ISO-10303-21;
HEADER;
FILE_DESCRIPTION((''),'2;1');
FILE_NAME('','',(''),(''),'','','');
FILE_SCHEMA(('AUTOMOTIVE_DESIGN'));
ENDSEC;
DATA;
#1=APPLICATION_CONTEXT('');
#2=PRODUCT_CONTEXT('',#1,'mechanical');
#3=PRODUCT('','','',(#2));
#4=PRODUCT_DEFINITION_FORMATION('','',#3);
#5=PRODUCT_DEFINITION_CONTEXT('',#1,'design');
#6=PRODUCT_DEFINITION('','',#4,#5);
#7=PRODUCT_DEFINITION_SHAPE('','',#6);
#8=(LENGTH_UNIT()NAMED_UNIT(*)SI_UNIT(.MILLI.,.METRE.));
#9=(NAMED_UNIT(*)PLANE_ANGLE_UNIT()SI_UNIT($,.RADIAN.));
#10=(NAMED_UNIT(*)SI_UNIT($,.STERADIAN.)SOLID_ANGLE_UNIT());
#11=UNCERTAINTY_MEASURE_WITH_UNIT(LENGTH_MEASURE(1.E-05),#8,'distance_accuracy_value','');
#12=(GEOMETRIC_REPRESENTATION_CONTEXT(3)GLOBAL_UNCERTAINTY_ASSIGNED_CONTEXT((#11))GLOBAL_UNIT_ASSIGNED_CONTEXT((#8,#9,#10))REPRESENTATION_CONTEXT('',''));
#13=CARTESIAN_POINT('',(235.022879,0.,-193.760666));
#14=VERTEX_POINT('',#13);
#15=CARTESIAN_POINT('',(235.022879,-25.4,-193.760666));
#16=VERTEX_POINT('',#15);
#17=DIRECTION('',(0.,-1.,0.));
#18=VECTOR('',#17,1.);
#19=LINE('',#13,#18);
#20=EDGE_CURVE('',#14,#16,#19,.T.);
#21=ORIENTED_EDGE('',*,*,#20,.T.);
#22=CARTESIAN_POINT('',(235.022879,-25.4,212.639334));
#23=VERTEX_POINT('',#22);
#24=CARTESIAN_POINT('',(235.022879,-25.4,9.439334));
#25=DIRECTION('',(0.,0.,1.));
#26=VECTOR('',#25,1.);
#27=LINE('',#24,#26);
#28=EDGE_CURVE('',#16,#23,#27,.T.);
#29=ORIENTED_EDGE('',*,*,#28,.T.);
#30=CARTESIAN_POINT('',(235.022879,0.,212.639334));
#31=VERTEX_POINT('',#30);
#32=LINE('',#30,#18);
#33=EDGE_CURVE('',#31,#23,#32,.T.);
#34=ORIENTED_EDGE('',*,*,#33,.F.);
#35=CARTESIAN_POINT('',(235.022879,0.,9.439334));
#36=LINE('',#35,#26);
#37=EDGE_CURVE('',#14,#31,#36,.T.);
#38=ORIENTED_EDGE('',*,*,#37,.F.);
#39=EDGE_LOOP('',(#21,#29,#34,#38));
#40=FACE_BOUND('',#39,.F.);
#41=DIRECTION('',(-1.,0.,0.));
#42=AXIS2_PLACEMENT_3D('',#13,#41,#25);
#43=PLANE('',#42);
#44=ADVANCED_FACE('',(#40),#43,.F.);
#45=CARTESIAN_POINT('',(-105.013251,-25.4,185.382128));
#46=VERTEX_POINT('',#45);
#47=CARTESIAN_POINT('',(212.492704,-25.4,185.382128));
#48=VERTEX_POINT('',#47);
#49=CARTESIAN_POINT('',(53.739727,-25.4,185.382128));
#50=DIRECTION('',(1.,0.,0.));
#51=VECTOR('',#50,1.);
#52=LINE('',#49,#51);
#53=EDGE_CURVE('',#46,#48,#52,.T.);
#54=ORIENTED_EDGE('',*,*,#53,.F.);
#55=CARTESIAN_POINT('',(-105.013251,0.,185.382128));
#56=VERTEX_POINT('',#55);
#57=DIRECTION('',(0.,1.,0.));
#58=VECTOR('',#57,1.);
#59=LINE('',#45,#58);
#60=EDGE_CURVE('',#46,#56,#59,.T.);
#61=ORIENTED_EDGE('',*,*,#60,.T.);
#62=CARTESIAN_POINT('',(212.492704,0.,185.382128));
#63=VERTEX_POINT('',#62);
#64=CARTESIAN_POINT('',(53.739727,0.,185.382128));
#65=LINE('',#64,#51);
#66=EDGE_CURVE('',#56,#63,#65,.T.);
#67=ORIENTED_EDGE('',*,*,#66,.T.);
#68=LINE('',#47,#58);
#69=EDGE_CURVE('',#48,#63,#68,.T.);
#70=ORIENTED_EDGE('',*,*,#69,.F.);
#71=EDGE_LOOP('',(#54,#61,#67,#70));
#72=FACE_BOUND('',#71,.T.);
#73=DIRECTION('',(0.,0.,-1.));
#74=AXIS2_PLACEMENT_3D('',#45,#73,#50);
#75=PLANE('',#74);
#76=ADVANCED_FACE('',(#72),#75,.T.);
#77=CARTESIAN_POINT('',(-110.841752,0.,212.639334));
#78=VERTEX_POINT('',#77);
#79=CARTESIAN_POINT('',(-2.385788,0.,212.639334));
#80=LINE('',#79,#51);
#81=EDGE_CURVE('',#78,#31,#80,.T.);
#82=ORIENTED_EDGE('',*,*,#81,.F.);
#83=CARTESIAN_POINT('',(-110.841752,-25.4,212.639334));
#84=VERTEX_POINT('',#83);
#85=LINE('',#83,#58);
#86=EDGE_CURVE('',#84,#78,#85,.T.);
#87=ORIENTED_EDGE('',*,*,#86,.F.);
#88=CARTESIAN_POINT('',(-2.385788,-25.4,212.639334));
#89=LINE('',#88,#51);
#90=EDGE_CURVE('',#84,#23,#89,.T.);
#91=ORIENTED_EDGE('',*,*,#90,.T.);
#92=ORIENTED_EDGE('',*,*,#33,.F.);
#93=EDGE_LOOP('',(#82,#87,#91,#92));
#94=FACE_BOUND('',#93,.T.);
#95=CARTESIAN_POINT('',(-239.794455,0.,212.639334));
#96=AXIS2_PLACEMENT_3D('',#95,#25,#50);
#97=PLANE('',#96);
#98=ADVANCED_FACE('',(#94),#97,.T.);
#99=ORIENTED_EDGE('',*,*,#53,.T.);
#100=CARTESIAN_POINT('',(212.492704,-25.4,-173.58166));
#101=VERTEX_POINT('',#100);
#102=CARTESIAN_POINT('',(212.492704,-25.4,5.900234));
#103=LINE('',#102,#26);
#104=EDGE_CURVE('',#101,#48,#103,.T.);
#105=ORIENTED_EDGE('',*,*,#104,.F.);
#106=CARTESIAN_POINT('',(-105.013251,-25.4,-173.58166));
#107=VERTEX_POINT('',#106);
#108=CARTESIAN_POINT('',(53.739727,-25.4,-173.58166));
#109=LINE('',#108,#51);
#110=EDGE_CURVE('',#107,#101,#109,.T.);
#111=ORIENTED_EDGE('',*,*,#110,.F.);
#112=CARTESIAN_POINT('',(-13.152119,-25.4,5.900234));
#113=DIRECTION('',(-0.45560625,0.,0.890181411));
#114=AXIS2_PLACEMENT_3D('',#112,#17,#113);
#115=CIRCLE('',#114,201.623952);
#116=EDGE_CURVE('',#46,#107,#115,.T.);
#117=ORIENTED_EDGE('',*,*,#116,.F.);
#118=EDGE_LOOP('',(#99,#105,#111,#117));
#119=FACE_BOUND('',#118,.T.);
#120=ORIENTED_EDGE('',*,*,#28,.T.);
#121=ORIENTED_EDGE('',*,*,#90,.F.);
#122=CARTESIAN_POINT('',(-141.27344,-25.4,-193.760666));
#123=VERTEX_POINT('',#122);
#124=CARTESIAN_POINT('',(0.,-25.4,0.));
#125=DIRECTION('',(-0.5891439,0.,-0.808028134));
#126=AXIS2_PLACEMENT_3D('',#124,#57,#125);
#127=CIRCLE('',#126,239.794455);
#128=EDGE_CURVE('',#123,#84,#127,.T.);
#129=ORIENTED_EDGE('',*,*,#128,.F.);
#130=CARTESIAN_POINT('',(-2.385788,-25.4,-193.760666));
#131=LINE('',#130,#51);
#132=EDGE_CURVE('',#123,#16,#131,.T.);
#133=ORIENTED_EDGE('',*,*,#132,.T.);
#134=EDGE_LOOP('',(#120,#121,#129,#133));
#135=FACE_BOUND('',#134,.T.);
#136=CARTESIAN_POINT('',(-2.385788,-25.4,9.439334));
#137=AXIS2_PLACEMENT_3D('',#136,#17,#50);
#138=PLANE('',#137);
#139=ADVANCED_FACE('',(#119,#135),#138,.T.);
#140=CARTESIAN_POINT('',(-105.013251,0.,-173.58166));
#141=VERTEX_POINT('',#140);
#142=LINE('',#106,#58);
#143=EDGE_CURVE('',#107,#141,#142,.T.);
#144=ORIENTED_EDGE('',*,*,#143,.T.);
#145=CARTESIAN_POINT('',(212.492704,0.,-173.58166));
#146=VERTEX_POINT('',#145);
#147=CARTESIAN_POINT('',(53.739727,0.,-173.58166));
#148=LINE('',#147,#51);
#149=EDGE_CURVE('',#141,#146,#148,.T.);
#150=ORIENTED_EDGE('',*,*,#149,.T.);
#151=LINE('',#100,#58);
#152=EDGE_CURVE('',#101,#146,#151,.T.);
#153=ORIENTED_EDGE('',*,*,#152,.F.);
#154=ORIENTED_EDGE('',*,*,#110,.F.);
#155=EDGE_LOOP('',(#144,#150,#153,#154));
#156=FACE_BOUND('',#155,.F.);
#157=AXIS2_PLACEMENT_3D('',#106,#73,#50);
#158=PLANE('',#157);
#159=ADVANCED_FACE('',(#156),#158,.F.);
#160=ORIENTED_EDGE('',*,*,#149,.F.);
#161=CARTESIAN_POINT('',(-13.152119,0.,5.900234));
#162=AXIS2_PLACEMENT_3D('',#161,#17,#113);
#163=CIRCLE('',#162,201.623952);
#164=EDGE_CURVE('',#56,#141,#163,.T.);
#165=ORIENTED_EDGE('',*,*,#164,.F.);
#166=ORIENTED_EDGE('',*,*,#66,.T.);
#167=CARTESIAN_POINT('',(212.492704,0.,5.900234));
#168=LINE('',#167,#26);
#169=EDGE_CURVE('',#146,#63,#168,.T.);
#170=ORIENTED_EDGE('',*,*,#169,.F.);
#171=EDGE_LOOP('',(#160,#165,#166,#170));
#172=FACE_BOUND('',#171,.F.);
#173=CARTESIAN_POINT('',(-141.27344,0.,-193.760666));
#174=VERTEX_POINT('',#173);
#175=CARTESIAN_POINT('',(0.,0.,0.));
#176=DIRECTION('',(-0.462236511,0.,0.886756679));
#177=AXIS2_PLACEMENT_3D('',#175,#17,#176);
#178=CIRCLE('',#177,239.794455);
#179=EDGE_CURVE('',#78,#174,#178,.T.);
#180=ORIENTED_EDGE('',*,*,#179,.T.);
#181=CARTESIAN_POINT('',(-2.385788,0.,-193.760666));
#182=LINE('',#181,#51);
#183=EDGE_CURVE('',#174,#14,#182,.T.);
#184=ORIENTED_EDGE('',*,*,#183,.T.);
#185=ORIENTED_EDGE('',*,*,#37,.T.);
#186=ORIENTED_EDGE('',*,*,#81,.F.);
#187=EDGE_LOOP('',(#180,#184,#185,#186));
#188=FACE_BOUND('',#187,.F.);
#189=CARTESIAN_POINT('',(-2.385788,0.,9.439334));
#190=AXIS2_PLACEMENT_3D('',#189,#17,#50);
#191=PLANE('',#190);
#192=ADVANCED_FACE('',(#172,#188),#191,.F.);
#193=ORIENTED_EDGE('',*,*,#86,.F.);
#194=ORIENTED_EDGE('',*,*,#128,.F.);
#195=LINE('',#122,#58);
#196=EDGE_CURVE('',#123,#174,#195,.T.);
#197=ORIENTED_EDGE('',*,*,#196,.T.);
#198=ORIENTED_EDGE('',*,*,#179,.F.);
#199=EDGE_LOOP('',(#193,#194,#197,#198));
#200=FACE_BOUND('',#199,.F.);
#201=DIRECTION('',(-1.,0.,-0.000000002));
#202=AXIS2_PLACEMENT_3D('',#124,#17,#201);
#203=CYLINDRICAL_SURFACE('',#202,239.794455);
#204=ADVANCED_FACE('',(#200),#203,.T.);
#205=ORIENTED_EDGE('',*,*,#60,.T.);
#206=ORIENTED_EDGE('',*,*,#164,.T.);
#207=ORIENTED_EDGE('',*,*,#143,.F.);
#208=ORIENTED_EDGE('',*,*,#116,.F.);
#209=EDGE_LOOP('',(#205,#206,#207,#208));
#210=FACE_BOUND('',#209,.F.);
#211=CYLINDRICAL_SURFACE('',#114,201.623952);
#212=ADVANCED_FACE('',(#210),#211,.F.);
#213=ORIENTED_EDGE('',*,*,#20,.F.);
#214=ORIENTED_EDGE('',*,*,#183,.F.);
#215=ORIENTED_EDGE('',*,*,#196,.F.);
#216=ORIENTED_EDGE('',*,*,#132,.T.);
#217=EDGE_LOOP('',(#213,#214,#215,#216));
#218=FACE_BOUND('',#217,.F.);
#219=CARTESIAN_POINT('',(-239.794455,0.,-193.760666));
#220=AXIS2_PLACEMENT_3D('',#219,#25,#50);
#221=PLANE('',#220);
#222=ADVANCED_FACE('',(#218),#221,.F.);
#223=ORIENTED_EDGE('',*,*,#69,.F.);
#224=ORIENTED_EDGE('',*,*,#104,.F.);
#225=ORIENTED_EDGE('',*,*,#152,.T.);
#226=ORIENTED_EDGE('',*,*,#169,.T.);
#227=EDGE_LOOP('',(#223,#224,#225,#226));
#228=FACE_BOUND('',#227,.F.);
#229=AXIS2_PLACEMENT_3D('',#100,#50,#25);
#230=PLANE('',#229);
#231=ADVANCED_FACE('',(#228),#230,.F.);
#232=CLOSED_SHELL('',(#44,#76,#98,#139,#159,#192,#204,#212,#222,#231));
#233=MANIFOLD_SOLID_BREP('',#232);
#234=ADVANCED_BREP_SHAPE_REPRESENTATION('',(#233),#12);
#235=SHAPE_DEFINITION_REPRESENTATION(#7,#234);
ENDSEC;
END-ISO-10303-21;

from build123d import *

# Parameters (mm, degrees)
F0_W     = 474.8173340189
F0_H     = 406.4
F1_DEPTH = 25.4
F3_DEPTH = 25.4
F4_W     = 317.5059556961
F4_H     = 358.9637875557
F5_DEPTH = 25.4
F7_DEPTH = 25.4


with BuildPart() as f1:
    # F0 (on Front) → F1 (new body)
    with BuildSketch(Plane.XZ):
        with Locations((-2.3857876658, 9.4393342733)):
            Rectangle(F0_W, F0_H)
    extrude(amount=F1_DEPTH)

    # F2 (on face) → F3 (cut)
    with BuildSketch(Plane.XZ.offset(25.4)):
        with BuildLine():
            ThreePointArc((-239.7944546753, -5.535e-07), (-205.0373357652, 124.3425568152), (-110.841752119, 212.6393342733))
            Line((-110.841752119, 212.6393342733), (-239.7944546753, 212.6393342733))
            Line((-239.7944546753, 212.6393342733), (-239.7944546753, -5.535e-07))
        make_face()
        with BuildLine():
            Line((-239.7944546753, -193.7606657267), (-141.273440215, -193.7606657267))
            ThreePointArc((-141.273440215, -193.7606657267), (-213.7498163066, -108.6848495509), (-239.7944546753, -5.535e-07))
            Line((-239.7944546753, -5.535e-07), (-239.7944546753, -193.7606657267))
        make_face()
    extrude(amount=-F3_DEPTH, mode=Mode.SUBTRACT)

    # F4 (on face) → F5 (cut)
    with BuildSketch(Plane.XZ.offset(25.4)):
        with Locations((53.7397265434, 5.900233984)):
            Rectangle(F4_W, F4_H)
    extrude(amount=-F5_DEPTH, mode=Mode.SUBTRACT)

    # F6 (on face) → F7 (cut)
    with BuildSketch(Plane.XZ.offset(25.4)):
        with BuildLine():
            Line((-105.0132513046, -173.5816597939), (-105.0132513046, 185.3821277618))
            ThreePointArc((-105.0132513046, 185.3821277618), (-214.776070383, 5.900233984), (-105.0132513046, -173.5816597939))
        make_face()
    extrude(amount=-F7_DEPTH, mode=Mode.SUBTRACT)


solid = f1.part
